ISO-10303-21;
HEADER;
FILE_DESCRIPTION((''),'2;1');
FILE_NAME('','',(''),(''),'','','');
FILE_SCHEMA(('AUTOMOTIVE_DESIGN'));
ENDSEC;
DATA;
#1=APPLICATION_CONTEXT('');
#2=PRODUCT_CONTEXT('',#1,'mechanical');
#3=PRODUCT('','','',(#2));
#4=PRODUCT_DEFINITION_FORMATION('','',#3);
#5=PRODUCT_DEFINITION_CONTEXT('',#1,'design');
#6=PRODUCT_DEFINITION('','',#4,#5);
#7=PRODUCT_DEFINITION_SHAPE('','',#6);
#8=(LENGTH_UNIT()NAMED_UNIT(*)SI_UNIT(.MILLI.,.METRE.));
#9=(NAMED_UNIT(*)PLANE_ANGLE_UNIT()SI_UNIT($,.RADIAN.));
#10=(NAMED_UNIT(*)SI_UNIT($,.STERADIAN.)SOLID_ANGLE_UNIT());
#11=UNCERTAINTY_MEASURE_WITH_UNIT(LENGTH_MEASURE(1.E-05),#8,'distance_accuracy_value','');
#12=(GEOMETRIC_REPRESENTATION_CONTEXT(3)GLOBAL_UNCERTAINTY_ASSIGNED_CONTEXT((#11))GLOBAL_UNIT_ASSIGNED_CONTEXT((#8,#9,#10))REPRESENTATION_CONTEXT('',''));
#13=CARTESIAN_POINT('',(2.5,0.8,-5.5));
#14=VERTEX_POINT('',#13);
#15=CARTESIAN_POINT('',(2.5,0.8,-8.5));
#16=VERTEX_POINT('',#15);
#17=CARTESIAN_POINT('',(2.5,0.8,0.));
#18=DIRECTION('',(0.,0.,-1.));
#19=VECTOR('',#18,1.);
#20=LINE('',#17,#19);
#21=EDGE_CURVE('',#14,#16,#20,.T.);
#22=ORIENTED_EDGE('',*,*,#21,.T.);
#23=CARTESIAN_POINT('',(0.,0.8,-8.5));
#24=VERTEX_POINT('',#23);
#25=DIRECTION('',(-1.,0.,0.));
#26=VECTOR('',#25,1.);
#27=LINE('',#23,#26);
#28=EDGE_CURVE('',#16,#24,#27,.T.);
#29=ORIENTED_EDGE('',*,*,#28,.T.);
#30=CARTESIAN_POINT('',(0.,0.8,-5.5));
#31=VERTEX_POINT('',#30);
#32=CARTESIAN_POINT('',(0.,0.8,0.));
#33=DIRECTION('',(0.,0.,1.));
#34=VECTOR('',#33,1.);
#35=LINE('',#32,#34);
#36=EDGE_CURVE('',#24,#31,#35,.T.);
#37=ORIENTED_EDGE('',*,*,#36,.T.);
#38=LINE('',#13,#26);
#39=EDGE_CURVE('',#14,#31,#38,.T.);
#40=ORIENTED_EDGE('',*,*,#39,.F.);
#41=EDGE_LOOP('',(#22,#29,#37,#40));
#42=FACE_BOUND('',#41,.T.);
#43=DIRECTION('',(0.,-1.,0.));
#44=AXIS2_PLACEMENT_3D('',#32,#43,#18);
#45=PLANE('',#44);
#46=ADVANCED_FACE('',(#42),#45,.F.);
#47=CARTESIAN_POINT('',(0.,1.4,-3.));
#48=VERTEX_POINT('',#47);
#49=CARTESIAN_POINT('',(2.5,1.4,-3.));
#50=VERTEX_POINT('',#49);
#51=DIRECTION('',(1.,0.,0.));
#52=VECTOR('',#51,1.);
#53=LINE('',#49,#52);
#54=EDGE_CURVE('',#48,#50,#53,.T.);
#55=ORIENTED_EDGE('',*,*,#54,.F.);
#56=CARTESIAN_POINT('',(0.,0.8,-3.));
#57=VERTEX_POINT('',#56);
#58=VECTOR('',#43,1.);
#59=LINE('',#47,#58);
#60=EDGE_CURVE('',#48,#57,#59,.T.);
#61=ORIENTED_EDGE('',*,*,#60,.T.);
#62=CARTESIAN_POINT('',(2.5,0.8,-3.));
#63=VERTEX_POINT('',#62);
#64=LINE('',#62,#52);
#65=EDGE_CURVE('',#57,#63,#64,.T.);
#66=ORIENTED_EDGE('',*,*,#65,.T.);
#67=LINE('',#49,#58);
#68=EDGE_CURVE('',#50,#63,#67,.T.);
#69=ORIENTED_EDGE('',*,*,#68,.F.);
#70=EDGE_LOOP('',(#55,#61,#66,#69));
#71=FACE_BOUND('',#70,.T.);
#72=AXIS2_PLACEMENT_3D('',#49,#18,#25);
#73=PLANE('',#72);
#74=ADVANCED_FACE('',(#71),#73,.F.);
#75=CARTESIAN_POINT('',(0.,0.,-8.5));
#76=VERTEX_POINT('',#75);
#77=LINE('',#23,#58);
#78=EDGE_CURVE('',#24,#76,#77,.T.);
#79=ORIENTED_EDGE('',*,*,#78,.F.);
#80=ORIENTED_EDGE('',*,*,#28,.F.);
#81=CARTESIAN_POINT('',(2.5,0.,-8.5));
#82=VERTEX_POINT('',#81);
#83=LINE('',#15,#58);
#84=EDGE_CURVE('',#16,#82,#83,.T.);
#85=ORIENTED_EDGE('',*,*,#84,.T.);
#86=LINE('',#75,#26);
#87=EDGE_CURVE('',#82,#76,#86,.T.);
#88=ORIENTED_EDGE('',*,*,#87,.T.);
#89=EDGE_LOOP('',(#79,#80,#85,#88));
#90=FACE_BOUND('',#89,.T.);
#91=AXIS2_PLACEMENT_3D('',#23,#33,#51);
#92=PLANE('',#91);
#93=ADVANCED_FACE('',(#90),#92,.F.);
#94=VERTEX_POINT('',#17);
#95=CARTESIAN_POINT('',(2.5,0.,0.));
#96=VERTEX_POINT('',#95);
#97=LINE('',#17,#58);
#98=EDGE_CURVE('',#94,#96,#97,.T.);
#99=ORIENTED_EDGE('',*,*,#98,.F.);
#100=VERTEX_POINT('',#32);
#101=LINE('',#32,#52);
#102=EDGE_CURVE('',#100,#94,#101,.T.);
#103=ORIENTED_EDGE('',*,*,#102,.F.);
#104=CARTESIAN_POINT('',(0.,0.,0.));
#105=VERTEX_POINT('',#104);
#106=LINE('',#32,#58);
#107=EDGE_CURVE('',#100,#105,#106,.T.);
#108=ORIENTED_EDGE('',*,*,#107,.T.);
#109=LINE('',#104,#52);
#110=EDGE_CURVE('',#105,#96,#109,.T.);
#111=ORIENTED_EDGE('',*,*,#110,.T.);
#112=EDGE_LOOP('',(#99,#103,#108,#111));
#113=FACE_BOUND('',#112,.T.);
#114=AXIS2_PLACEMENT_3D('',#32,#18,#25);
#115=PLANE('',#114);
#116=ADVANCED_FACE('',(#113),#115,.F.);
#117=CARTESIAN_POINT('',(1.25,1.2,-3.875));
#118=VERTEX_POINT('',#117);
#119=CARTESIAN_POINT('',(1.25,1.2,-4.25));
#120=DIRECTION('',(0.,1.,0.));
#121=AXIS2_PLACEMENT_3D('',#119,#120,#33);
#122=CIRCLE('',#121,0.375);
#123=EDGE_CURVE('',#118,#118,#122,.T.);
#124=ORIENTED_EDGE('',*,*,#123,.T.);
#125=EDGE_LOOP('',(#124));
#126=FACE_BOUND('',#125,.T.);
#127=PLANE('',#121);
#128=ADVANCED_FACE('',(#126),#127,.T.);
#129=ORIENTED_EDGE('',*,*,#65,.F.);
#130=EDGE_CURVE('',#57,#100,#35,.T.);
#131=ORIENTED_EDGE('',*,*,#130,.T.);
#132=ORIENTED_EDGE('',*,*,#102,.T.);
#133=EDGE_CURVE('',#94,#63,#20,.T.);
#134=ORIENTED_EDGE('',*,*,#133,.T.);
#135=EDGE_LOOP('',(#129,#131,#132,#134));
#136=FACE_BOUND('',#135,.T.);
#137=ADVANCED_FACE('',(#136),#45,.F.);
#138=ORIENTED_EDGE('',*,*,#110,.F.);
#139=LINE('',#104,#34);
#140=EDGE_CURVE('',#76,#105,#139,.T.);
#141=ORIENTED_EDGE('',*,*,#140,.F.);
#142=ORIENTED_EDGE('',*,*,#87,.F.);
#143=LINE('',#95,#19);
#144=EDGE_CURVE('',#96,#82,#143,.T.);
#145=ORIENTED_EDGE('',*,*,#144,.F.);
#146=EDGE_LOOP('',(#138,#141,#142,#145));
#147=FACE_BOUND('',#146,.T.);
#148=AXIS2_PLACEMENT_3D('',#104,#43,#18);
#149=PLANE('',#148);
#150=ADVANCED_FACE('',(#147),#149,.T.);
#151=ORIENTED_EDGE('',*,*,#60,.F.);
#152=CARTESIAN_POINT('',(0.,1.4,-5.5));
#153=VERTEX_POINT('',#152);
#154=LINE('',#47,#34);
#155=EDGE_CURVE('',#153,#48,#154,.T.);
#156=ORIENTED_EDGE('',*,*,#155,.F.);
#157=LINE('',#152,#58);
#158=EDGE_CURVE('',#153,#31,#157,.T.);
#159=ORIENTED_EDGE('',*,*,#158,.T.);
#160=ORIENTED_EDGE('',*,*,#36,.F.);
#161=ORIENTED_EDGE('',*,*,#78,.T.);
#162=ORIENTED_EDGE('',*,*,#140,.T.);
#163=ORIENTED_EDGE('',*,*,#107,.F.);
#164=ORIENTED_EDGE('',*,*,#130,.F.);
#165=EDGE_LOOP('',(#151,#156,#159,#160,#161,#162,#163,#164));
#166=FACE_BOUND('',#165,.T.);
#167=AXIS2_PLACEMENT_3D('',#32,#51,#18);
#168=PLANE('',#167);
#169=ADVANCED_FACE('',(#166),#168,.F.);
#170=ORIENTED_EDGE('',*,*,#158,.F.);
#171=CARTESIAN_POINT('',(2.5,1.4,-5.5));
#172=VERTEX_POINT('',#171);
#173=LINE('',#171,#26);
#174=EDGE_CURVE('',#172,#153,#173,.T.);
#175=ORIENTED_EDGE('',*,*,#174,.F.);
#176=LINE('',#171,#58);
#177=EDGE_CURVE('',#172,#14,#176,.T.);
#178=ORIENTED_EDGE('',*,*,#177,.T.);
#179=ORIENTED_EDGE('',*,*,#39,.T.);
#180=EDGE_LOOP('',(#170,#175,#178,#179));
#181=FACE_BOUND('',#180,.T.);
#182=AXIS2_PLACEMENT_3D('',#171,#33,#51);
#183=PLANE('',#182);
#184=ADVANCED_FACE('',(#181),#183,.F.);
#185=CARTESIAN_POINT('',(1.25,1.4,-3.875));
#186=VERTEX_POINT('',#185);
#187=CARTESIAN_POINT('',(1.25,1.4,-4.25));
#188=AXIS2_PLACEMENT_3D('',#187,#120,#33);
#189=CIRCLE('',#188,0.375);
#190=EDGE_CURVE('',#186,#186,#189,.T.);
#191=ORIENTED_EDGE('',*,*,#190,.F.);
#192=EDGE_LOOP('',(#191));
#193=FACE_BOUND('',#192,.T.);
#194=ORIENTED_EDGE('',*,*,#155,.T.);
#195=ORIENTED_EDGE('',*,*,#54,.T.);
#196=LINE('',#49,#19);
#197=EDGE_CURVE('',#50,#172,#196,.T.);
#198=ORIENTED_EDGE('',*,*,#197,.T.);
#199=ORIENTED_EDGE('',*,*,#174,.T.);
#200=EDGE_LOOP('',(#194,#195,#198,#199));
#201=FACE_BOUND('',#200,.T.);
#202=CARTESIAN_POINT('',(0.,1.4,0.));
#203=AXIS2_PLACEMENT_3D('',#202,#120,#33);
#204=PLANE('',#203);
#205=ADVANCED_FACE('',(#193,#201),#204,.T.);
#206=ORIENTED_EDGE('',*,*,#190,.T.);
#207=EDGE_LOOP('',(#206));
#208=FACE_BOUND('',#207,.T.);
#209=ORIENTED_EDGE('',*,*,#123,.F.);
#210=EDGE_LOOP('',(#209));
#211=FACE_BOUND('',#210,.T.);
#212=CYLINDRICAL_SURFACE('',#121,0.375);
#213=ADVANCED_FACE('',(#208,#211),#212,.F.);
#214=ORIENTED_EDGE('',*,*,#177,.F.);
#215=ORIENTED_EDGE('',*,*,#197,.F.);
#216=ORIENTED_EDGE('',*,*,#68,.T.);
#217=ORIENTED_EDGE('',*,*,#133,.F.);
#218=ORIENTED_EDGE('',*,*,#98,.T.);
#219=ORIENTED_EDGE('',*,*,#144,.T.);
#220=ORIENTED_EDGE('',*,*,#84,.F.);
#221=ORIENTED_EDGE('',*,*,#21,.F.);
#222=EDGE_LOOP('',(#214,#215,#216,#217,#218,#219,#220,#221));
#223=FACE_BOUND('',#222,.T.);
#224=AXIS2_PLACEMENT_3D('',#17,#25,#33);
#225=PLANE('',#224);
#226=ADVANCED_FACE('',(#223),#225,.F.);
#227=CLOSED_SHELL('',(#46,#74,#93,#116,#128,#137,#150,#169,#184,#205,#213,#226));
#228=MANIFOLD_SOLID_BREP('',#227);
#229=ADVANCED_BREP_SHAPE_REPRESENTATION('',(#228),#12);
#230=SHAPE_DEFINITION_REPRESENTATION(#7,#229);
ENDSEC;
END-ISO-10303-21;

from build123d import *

# Parameters (mm, degrees)
SKETCH1_W           = 2.5
SKETCH1_H           = 8.5
BOSS_EXTRUDE1_DEPTH = 0.8
SKETCH2_W           = 2.5
SKETCH2_H           = 2.5
BOSS_EXTRUDE2_DEPTH = 0.6
SKETCH3_R           = 0.375
CUT_EXTRUDE1_DEPTH  = 0.2


with BuildPart() as part:
    # Sketch1 → Boss-Extrude1 (new body)
    with BuildSketch(Plane(origin=(0, 0, 0), x_dir=(1, 0, 0), z_dir=(0, 1, 0))):
        with Locations((1.25, 4.25)):
            Rectangle(SKETCH1_W, SKETCH1_H)
    extrude(amount=BOSS_EXTRUDE1_DEPTH)

    # Sketch2 → Boss-Extrude2 (add)
    with BuildSketch(Plane(origin=(0, 0.8, 0), x_dir=(1, 0, 0), z_dir=(0, 1, 0))):
        with Locations((1.25, 4.25)):
            Rectangle(SKETCH2_W, SKETCH2_H)
    extrude(amount=BOSS_EXTRUDE2_DEPTH)

    # Sketch3 → Cut-Extrude1 (cut)
    with BuildSketch(Plane(origin=(0, 1.4, 0), x_dir=(1, 0, 0), z_dir=(0, 1, 0))):
        with Locations((1.25, 4.25)):
            Circle(SKETCH3_R)
    extrude(amount=-CUT_EXTRUDE1_DEPTH, mode=Mode.SUBTRACT)


solid = part.part
